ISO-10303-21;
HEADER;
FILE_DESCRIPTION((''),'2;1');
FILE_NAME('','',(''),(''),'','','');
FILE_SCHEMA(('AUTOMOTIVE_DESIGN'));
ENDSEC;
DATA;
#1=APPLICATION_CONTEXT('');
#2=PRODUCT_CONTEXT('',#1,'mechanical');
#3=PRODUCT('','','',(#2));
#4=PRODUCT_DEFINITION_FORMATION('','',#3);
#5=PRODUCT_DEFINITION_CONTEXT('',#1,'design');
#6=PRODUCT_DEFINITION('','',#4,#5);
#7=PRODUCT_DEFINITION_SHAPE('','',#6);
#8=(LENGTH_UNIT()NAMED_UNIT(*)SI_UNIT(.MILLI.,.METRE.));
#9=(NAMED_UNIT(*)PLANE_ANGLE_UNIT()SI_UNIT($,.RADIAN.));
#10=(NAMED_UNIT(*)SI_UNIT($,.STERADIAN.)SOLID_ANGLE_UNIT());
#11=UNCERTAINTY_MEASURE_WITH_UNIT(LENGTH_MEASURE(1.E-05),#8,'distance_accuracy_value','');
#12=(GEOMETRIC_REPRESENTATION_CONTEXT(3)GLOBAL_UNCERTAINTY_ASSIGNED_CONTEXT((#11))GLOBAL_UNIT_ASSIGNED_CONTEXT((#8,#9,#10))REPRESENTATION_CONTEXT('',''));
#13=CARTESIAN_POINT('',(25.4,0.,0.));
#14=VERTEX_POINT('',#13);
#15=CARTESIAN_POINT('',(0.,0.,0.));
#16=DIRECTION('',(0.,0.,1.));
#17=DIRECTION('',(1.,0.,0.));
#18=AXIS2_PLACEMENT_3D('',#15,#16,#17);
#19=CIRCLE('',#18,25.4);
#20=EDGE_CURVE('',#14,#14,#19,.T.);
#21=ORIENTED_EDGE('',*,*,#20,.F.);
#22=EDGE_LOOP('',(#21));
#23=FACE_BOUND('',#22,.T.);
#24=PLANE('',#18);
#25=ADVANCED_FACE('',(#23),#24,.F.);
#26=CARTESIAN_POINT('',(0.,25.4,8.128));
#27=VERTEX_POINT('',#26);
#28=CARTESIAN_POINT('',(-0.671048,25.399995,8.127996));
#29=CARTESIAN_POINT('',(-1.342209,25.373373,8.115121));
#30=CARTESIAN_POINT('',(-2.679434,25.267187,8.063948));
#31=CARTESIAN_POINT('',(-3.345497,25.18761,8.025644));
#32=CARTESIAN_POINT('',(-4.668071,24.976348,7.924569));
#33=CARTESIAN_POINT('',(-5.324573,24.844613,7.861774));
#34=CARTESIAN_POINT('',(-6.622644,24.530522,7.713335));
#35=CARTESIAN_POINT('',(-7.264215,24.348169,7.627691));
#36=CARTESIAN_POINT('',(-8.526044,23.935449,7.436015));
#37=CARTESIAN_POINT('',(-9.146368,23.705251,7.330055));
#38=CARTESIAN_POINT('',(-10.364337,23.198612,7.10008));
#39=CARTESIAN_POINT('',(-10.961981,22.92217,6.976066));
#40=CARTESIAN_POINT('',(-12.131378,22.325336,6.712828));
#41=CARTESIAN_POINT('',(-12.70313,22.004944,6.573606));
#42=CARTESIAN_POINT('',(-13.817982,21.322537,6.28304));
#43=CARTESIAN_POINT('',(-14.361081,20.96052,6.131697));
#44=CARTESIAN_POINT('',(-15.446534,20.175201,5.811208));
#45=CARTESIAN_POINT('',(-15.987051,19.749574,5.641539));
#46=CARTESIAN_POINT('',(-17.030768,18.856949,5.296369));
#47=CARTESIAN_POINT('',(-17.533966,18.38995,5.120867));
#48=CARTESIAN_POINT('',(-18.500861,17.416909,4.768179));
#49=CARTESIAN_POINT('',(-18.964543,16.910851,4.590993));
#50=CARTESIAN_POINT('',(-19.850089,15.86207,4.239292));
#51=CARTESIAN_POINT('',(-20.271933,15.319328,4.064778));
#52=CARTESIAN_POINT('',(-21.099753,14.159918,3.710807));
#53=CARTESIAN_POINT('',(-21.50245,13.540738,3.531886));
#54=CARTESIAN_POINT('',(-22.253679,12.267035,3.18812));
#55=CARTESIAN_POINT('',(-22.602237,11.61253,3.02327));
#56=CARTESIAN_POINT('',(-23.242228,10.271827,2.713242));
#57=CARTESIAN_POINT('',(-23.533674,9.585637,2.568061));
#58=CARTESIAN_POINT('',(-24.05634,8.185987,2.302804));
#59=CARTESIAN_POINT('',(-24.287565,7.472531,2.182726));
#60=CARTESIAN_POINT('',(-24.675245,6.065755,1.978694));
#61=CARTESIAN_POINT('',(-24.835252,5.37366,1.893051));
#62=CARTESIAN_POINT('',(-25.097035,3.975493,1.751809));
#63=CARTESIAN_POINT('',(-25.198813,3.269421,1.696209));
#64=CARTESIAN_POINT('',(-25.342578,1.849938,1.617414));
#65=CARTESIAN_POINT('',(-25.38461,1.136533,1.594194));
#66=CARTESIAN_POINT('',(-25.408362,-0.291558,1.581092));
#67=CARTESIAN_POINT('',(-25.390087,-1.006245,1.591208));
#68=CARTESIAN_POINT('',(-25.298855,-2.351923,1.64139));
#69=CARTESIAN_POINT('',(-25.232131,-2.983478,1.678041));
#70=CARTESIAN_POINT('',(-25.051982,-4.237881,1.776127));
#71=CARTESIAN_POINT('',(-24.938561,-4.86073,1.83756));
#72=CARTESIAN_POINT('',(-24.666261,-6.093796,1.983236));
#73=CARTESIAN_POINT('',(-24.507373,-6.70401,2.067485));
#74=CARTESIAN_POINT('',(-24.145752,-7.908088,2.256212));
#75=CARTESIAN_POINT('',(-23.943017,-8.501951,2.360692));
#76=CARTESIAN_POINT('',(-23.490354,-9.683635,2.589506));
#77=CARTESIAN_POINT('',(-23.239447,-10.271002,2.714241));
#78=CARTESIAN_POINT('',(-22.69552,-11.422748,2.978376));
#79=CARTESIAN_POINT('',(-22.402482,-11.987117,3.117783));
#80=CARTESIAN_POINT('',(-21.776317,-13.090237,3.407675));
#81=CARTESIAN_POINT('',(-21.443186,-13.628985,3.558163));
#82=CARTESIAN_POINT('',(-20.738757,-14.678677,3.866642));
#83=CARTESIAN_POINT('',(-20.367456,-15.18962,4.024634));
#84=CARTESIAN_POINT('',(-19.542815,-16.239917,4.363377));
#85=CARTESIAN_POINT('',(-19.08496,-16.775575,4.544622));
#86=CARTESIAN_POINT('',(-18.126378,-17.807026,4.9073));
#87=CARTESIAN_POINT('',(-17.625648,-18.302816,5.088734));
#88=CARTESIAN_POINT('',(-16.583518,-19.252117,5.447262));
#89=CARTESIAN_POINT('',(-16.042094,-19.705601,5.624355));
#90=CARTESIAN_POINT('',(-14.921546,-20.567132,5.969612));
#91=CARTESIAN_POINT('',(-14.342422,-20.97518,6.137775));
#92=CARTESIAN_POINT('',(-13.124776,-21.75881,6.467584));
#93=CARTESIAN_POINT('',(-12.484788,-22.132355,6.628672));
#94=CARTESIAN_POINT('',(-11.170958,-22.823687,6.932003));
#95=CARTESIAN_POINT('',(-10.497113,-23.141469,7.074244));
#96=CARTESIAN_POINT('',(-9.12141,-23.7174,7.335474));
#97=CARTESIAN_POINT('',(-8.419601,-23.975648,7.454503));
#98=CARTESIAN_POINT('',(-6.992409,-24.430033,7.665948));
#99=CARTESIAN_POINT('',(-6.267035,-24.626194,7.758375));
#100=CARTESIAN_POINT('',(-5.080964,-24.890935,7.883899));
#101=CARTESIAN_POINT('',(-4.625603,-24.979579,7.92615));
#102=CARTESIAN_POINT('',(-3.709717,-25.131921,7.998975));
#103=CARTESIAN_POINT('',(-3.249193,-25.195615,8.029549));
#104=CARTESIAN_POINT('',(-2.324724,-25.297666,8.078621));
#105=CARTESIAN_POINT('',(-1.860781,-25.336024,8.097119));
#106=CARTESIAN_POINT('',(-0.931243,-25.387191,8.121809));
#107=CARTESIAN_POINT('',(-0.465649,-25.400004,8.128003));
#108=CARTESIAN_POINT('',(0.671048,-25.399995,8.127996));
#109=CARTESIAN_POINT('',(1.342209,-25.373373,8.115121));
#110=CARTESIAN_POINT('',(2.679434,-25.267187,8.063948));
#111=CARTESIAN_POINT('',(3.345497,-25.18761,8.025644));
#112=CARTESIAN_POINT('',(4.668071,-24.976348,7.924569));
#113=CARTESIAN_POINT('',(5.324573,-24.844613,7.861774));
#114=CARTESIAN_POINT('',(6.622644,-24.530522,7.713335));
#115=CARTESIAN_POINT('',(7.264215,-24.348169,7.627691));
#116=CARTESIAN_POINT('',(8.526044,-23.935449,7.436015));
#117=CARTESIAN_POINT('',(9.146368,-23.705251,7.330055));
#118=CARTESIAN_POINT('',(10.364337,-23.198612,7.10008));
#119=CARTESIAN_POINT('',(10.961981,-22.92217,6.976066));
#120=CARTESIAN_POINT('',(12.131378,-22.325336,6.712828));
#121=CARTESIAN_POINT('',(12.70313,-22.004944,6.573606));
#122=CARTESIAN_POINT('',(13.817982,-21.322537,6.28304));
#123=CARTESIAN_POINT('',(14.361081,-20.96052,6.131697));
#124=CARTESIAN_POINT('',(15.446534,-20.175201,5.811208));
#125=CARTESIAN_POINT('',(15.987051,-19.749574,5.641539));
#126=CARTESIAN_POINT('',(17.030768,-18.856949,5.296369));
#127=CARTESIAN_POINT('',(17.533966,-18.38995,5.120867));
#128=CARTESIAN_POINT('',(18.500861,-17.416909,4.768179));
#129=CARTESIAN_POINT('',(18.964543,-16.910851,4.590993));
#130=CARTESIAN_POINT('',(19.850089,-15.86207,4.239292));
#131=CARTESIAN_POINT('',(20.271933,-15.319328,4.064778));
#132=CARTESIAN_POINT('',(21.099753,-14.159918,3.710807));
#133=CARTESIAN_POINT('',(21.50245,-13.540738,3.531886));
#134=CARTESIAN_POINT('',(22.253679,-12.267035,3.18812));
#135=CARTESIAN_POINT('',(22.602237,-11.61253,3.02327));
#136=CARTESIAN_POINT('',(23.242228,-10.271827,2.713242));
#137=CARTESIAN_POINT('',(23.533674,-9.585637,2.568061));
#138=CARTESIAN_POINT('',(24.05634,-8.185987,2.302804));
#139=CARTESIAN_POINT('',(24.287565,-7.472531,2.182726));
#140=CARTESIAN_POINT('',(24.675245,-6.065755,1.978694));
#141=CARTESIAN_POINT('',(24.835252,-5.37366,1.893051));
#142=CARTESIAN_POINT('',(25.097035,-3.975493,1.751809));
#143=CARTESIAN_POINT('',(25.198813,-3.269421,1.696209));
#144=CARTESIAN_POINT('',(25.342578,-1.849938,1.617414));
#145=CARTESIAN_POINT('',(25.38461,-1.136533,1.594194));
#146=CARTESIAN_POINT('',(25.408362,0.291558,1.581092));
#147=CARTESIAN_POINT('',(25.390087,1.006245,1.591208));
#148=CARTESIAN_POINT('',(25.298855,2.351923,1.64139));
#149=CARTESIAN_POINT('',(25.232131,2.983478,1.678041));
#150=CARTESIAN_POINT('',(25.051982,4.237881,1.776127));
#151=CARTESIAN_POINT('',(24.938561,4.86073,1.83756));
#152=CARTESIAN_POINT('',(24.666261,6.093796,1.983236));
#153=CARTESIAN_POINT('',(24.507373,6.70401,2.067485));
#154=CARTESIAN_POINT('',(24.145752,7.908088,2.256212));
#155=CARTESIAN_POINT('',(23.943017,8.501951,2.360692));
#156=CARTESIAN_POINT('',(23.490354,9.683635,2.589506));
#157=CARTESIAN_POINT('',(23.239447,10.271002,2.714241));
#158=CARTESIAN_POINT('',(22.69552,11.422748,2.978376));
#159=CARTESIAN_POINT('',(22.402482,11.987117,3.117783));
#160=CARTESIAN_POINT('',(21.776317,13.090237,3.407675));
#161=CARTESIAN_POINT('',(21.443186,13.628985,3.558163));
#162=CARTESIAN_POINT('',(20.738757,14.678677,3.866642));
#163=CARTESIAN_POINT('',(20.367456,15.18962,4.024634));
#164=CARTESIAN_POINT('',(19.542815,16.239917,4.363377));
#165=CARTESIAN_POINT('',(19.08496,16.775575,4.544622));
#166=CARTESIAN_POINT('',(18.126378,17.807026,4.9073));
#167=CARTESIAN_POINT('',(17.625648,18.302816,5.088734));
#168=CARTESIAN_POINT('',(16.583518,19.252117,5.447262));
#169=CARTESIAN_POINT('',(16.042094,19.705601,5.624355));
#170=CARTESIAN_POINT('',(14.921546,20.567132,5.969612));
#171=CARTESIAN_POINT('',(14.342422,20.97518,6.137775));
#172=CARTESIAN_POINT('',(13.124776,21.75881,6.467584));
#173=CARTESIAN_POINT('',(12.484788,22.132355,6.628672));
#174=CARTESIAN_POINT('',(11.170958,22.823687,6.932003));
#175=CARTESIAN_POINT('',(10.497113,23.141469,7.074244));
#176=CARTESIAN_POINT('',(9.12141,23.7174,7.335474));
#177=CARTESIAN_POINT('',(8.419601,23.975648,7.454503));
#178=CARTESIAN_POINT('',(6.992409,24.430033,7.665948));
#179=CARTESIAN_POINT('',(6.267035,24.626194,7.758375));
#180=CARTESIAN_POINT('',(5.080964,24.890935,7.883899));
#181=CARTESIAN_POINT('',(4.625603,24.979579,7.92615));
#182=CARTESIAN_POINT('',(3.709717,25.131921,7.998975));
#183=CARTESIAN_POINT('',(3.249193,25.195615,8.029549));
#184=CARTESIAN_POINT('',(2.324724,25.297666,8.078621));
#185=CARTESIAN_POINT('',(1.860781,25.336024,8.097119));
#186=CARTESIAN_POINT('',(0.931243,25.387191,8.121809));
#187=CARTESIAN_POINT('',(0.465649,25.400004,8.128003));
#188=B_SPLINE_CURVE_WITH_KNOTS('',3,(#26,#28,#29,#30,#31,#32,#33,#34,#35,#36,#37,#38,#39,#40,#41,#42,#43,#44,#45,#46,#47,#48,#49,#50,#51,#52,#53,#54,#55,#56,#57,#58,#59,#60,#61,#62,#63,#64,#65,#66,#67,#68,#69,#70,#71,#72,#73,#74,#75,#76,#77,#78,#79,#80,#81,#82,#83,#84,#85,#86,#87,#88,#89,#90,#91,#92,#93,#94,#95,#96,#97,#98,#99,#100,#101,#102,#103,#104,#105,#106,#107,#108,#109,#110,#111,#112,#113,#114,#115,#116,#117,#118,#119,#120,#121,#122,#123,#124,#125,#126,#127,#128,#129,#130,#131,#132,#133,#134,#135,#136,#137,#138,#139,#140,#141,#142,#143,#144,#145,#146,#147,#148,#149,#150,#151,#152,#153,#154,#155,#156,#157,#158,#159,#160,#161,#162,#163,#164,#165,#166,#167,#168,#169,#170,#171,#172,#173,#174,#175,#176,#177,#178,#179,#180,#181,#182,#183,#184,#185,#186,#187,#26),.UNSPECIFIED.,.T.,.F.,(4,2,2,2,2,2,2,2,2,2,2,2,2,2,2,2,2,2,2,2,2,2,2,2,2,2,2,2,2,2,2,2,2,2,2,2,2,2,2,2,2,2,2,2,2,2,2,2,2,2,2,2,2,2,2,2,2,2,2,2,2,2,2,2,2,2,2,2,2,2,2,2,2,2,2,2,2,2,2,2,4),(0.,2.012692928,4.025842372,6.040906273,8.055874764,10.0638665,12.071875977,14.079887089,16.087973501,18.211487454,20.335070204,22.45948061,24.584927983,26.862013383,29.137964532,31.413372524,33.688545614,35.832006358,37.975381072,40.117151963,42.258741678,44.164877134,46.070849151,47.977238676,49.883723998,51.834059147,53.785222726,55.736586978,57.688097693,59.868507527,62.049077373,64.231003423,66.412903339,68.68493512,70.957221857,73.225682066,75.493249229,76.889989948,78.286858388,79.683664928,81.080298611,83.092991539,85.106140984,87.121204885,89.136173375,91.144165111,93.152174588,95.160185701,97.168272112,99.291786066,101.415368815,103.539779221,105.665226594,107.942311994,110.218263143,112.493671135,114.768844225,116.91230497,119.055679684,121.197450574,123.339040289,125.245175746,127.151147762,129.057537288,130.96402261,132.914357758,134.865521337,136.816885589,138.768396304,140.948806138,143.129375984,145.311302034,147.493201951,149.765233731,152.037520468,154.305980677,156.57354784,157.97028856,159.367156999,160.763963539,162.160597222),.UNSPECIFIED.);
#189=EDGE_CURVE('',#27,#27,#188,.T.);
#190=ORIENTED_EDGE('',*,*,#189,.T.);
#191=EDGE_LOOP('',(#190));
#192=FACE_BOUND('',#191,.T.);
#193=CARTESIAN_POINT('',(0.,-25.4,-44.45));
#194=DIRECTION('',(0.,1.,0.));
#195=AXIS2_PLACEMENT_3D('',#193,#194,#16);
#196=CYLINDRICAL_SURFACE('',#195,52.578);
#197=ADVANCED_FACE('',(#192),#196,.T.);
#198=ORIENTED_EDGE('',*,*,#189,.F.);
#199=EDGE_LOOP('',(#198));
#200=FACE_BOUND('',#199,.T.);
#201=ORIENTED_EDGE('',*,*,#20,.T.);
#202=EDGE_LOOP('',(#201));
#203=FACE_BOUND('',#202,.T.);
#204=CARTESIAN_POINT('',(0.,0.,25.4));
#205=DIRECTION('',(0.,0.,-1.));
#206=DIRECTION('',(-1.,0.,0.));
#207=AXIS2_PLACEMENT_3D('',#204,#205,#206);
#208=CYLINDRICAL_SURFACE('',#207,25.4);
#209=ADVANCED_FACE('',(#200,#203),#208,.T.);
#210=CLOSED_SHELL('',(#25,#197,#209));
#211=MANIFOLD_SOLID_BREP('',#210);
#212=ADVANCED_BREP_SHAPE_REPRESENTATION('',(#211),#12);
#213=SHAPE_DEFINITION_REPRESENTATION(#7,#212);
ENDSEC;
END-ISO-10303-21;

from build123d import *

# Parameters (mm, degrees)
SKETCH1_R               = 25.4
BOSS_EXTRUDE1_DEPTH     = 25.4
CUT_EXTRUDE3_DEPTH      = 44.994090512
CUT_EXTRUDE3_DEPTH_BACK = 44.994090512
SKETCH4_OUTSIDE_W       = 42.64
SKETCH4_OUTSIDE_H       = 68.04
SKETCH4_OUTSIDE_R       = 52.578


with BuildPart() as part:
    # Sketch1 → Boss-Extrude1 (new body)
    with BuildSketch(Plane.XY):
        Circle(SKETCH1_R)
    extrude(amount=BOSS_EXTRUDE1_DEPTH)

    # Sketch4 outside → Cut-Extrude3 (cut, two sides: drawn at the far end of the back side and taken through both)
    with BuildSketch(Plane(origin=(0, 0, 0), x_dir=(0, 0, -1), z_dir=(0, 1, 0)).offset(-CUT_EXTRUDE3_DEPTH_BACK)):
        with Locations((-12.7, 0)):
            Rectangle(SKETCH4_OUTSIDE_W, SKETCH4_OUTSIDE_H)
        with Locations((44.45, 0)):
            Circle(SKETCH4_OUTSIDE_R, mode=Mode.SUBTRACT)
    extrude(amount=CUT_EXTRUDE3_DEPTH + CUT_EXTRUDE3_DEPTH_BACK, mode=Mode.SUBTRACT)


solid = part.part
